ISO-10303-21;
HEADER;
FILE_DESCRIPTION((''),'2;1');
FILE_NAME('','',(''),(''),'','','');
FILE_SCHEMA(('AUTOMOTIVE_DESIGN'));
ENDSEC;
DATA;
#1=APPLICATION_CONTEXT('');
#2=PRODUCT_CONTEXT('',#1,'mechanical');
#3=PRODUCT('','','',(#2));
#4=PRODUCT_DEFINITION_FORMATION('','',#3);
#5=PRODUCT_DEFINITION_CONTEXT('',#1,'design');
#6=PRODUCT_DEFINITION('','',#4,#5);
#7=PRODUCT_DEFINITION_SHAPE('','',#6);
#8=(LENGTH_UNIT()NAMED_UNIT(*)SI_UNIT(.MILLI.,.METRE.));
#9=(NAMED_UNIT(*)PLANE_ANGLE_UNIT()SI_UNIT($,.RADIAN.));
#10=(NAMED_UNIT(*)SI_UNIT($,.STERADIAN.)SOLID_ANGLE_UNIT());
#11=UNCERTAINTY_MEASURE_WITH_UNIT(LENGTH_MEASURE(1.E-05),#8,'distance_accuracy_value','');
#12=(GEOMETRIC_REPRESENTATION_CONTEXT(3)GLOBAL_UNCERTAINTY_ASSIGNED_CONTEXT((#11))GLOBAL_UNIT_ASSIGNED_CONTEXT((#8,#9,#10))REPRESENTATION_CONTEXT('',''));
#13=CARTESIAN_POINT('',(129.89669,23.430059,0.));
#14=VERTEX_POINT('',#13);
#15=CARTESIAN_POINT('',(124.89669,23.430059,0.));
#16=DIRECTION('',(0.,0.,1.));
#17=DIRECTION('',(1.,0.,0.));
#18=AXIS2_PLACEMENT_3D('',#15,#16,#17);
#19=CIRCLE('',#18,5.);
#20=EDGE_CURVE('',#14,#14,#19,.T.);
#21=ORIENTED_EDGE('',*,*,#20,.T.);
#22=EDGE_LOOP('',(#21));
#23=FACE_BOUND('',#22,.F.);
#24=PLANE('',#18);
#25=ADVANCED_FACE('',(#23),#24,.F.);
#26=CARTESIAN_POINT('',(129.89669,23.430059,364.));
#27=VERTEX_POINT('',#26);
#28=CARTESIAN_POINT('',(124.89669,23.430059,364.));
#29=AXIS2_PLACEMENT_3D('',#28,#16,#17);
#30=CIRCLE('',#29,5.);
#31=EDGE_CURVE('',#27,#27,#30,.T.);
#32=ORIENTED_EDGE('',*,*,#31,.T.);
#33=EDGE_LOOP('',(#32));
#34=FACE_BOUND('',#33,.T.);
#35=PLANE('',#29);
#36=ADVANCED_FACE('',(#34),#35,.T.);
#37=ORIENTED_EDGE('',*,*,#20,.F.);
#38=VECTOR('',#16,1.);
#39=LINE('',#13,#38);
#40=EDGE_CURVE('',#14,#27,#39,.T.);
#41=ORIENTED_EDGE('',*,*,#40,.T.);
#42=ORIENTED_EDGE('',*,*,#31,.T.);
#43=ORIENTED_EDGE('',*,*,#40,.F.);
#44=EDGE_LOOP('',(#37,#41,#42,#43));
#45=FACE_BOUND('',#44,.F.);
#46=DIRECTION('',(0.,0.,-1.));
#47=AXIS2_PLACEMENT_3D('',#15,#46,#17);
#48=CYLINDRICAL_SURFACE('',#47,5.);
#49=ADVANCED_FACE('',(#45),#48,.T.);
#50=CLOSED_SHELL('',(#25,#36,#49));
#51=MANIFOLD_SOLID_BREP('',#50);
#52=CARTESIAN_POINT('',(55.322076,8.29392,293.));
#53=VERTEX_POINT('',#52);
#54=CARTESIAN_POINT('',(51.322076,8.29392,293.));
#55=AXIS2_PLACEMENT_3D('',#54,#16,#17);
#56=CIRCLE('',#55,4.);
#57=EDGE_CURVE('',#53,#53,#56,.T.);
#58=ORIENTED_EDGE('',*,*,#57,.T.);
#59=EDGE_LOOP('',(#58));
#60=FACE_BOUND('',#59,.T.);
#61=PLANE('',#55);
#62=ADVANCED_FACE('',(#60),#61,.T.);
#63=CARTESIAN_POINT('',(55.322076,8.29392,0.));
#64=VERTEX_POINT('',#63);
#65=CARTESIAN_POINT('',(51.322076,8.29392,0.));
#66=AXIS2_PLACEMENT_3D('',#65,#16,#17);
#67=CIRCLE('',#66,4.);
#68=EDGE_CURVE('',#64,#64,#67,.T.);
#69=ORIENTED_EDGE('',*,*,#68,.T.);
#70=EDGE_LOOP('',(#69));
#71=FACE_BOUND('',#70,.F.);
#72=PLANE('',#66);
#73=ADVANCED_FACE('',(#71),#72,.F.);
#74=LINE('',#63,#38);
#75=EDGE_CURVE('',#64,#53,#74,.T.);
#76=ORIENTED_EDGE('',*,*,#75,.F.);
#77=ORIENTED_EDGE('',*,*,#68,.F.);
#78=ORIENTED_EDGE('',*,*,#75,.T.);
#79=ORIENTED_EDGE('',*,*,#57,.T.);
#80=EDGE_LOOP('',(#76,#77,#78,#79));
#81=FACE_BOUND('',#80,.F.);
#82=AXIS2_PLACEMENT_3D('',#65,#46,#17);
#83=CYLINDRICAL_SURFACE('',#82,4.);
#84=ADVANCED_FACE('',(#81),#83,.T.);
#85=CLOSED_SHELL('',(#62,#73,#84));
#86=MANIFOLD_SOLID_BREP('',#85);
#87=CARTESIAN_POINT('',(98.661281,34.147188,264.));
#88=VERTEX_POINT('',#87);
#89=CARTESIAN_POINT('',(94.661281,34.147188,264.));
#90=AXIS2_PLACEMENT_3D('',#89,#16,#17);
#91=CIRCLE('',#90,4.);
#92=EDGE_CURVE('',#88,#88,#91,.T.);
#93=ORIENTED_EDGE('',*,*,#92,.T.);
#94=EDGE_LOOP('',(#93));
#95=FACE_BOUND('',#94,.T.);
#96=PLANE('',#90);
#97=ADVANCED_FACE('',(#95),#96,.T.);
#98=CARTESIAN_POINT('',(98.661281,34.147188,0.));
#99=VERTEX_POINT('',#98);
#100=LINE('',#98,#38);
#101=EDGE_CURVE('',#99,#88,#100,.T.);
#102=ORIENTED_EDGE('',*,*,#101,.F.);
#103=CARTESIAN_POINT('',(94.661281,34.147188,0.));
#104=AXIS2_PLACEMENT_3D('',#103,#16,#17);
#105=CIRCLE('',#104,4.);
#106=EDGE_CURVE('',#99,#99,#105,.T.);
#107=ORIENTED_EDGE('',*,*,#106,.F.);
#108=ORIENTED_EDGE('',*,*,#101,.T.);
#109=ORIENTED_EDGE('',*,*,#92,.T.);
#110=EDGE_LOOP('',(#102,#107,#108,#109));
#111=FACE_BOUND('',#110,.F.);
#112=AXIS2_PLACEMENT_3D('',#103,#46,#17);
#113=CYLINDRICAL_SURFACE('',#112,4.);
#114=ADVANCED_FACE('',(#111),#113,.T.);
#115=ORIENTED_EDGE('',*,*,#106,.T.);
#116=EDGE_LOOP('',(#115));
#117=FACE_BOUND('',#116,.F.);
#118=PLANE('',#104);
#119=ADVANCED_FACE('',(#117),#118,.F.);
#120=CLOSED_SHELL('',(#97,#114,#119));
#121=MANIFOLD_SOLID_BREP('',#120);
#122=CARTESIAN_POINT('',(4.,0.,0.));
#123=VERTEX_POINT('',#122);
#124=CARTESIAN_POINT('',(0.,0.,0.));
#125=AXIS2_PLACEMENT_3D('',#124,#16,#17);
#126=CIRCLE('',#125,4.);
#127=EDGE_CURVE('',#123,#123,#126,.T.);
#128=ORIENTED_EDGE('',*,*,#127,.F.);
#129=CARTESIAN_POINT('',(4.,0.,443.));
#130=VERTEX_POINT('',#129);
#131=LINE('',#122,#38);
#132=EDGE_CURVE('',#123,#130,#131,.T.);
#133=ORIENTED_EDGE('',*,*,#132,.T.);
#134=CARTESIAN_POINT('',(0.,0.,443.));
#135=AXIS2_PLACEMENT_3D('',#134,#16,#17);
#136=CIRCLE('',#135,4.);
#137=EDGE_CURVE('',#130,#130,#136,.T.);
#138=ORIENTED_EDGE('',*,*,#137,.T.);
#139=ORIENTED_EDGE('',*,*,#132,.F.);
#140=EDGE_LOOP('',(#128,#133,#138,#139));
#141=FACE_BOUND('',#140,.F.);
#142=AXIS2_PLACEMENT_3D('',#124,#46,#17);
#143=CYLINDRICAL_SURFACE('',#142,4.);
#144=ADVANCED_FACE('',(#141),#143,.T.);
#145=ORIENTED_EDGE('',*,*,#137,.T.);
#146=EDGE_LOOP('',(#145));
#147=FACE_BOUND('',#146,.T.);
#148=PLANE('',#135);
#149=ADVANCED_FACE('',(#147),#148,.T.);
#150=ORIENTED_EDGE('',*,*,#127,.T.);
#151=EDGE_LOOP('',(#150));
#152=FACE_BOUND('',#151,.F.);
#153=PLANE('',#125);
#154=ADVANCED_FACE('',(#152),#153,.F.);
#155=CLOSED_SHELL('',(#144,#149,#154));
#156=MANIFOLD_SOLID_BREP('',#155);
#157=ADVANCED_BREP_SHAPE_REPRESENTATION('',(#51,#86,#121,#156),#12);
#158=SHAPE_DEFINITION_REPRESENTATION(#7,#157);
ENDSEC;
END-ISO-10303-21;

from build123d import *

# Parameters (mm, degrees)
F0_R     = 4
F1_DEPTH = 443
F2_R     = 4
F3_DEPTH = 293
F4_R     = 4
F5_DEPTH = 264
F6_R     = 5
F7_DEPTH = 364


with BuildPart() as f1:
    # F0 (on Top) → F1 (new body)
    with BuildSketch(Plane.XY):
        Circle(F0_R)
    extrude(amount=F1_DEPTH)


with BuildPart() as f3:
    # F2 (on Top) → F3 (new body)
    with BuildSketch(Plane.XY):
        with Locations((51.322076, 8.29392)):
            Circle(F2_R)
    extrude(amount=F3_DEPTH)


with BuildPart() as f5:
    # F4 (on Top) → F5 (new body)
    with BuildSketch(Plane.XY):
        with Locations((94.661281, 34.147188)):
            Circle(F4_R)
    extrude(amount=F5_DEPTH)


with BuildPart() as f7:
    # F6 (on Top) → F7 (new body)
    with BuildSketch(Plane.XY):
        with Locations((124.89669, 23.430059)):
            Circle(F6_R)
    extrude(amount=F7_DEPTH)


solid = Compound([f1.part, f3.part, f5.part, f7.part])
